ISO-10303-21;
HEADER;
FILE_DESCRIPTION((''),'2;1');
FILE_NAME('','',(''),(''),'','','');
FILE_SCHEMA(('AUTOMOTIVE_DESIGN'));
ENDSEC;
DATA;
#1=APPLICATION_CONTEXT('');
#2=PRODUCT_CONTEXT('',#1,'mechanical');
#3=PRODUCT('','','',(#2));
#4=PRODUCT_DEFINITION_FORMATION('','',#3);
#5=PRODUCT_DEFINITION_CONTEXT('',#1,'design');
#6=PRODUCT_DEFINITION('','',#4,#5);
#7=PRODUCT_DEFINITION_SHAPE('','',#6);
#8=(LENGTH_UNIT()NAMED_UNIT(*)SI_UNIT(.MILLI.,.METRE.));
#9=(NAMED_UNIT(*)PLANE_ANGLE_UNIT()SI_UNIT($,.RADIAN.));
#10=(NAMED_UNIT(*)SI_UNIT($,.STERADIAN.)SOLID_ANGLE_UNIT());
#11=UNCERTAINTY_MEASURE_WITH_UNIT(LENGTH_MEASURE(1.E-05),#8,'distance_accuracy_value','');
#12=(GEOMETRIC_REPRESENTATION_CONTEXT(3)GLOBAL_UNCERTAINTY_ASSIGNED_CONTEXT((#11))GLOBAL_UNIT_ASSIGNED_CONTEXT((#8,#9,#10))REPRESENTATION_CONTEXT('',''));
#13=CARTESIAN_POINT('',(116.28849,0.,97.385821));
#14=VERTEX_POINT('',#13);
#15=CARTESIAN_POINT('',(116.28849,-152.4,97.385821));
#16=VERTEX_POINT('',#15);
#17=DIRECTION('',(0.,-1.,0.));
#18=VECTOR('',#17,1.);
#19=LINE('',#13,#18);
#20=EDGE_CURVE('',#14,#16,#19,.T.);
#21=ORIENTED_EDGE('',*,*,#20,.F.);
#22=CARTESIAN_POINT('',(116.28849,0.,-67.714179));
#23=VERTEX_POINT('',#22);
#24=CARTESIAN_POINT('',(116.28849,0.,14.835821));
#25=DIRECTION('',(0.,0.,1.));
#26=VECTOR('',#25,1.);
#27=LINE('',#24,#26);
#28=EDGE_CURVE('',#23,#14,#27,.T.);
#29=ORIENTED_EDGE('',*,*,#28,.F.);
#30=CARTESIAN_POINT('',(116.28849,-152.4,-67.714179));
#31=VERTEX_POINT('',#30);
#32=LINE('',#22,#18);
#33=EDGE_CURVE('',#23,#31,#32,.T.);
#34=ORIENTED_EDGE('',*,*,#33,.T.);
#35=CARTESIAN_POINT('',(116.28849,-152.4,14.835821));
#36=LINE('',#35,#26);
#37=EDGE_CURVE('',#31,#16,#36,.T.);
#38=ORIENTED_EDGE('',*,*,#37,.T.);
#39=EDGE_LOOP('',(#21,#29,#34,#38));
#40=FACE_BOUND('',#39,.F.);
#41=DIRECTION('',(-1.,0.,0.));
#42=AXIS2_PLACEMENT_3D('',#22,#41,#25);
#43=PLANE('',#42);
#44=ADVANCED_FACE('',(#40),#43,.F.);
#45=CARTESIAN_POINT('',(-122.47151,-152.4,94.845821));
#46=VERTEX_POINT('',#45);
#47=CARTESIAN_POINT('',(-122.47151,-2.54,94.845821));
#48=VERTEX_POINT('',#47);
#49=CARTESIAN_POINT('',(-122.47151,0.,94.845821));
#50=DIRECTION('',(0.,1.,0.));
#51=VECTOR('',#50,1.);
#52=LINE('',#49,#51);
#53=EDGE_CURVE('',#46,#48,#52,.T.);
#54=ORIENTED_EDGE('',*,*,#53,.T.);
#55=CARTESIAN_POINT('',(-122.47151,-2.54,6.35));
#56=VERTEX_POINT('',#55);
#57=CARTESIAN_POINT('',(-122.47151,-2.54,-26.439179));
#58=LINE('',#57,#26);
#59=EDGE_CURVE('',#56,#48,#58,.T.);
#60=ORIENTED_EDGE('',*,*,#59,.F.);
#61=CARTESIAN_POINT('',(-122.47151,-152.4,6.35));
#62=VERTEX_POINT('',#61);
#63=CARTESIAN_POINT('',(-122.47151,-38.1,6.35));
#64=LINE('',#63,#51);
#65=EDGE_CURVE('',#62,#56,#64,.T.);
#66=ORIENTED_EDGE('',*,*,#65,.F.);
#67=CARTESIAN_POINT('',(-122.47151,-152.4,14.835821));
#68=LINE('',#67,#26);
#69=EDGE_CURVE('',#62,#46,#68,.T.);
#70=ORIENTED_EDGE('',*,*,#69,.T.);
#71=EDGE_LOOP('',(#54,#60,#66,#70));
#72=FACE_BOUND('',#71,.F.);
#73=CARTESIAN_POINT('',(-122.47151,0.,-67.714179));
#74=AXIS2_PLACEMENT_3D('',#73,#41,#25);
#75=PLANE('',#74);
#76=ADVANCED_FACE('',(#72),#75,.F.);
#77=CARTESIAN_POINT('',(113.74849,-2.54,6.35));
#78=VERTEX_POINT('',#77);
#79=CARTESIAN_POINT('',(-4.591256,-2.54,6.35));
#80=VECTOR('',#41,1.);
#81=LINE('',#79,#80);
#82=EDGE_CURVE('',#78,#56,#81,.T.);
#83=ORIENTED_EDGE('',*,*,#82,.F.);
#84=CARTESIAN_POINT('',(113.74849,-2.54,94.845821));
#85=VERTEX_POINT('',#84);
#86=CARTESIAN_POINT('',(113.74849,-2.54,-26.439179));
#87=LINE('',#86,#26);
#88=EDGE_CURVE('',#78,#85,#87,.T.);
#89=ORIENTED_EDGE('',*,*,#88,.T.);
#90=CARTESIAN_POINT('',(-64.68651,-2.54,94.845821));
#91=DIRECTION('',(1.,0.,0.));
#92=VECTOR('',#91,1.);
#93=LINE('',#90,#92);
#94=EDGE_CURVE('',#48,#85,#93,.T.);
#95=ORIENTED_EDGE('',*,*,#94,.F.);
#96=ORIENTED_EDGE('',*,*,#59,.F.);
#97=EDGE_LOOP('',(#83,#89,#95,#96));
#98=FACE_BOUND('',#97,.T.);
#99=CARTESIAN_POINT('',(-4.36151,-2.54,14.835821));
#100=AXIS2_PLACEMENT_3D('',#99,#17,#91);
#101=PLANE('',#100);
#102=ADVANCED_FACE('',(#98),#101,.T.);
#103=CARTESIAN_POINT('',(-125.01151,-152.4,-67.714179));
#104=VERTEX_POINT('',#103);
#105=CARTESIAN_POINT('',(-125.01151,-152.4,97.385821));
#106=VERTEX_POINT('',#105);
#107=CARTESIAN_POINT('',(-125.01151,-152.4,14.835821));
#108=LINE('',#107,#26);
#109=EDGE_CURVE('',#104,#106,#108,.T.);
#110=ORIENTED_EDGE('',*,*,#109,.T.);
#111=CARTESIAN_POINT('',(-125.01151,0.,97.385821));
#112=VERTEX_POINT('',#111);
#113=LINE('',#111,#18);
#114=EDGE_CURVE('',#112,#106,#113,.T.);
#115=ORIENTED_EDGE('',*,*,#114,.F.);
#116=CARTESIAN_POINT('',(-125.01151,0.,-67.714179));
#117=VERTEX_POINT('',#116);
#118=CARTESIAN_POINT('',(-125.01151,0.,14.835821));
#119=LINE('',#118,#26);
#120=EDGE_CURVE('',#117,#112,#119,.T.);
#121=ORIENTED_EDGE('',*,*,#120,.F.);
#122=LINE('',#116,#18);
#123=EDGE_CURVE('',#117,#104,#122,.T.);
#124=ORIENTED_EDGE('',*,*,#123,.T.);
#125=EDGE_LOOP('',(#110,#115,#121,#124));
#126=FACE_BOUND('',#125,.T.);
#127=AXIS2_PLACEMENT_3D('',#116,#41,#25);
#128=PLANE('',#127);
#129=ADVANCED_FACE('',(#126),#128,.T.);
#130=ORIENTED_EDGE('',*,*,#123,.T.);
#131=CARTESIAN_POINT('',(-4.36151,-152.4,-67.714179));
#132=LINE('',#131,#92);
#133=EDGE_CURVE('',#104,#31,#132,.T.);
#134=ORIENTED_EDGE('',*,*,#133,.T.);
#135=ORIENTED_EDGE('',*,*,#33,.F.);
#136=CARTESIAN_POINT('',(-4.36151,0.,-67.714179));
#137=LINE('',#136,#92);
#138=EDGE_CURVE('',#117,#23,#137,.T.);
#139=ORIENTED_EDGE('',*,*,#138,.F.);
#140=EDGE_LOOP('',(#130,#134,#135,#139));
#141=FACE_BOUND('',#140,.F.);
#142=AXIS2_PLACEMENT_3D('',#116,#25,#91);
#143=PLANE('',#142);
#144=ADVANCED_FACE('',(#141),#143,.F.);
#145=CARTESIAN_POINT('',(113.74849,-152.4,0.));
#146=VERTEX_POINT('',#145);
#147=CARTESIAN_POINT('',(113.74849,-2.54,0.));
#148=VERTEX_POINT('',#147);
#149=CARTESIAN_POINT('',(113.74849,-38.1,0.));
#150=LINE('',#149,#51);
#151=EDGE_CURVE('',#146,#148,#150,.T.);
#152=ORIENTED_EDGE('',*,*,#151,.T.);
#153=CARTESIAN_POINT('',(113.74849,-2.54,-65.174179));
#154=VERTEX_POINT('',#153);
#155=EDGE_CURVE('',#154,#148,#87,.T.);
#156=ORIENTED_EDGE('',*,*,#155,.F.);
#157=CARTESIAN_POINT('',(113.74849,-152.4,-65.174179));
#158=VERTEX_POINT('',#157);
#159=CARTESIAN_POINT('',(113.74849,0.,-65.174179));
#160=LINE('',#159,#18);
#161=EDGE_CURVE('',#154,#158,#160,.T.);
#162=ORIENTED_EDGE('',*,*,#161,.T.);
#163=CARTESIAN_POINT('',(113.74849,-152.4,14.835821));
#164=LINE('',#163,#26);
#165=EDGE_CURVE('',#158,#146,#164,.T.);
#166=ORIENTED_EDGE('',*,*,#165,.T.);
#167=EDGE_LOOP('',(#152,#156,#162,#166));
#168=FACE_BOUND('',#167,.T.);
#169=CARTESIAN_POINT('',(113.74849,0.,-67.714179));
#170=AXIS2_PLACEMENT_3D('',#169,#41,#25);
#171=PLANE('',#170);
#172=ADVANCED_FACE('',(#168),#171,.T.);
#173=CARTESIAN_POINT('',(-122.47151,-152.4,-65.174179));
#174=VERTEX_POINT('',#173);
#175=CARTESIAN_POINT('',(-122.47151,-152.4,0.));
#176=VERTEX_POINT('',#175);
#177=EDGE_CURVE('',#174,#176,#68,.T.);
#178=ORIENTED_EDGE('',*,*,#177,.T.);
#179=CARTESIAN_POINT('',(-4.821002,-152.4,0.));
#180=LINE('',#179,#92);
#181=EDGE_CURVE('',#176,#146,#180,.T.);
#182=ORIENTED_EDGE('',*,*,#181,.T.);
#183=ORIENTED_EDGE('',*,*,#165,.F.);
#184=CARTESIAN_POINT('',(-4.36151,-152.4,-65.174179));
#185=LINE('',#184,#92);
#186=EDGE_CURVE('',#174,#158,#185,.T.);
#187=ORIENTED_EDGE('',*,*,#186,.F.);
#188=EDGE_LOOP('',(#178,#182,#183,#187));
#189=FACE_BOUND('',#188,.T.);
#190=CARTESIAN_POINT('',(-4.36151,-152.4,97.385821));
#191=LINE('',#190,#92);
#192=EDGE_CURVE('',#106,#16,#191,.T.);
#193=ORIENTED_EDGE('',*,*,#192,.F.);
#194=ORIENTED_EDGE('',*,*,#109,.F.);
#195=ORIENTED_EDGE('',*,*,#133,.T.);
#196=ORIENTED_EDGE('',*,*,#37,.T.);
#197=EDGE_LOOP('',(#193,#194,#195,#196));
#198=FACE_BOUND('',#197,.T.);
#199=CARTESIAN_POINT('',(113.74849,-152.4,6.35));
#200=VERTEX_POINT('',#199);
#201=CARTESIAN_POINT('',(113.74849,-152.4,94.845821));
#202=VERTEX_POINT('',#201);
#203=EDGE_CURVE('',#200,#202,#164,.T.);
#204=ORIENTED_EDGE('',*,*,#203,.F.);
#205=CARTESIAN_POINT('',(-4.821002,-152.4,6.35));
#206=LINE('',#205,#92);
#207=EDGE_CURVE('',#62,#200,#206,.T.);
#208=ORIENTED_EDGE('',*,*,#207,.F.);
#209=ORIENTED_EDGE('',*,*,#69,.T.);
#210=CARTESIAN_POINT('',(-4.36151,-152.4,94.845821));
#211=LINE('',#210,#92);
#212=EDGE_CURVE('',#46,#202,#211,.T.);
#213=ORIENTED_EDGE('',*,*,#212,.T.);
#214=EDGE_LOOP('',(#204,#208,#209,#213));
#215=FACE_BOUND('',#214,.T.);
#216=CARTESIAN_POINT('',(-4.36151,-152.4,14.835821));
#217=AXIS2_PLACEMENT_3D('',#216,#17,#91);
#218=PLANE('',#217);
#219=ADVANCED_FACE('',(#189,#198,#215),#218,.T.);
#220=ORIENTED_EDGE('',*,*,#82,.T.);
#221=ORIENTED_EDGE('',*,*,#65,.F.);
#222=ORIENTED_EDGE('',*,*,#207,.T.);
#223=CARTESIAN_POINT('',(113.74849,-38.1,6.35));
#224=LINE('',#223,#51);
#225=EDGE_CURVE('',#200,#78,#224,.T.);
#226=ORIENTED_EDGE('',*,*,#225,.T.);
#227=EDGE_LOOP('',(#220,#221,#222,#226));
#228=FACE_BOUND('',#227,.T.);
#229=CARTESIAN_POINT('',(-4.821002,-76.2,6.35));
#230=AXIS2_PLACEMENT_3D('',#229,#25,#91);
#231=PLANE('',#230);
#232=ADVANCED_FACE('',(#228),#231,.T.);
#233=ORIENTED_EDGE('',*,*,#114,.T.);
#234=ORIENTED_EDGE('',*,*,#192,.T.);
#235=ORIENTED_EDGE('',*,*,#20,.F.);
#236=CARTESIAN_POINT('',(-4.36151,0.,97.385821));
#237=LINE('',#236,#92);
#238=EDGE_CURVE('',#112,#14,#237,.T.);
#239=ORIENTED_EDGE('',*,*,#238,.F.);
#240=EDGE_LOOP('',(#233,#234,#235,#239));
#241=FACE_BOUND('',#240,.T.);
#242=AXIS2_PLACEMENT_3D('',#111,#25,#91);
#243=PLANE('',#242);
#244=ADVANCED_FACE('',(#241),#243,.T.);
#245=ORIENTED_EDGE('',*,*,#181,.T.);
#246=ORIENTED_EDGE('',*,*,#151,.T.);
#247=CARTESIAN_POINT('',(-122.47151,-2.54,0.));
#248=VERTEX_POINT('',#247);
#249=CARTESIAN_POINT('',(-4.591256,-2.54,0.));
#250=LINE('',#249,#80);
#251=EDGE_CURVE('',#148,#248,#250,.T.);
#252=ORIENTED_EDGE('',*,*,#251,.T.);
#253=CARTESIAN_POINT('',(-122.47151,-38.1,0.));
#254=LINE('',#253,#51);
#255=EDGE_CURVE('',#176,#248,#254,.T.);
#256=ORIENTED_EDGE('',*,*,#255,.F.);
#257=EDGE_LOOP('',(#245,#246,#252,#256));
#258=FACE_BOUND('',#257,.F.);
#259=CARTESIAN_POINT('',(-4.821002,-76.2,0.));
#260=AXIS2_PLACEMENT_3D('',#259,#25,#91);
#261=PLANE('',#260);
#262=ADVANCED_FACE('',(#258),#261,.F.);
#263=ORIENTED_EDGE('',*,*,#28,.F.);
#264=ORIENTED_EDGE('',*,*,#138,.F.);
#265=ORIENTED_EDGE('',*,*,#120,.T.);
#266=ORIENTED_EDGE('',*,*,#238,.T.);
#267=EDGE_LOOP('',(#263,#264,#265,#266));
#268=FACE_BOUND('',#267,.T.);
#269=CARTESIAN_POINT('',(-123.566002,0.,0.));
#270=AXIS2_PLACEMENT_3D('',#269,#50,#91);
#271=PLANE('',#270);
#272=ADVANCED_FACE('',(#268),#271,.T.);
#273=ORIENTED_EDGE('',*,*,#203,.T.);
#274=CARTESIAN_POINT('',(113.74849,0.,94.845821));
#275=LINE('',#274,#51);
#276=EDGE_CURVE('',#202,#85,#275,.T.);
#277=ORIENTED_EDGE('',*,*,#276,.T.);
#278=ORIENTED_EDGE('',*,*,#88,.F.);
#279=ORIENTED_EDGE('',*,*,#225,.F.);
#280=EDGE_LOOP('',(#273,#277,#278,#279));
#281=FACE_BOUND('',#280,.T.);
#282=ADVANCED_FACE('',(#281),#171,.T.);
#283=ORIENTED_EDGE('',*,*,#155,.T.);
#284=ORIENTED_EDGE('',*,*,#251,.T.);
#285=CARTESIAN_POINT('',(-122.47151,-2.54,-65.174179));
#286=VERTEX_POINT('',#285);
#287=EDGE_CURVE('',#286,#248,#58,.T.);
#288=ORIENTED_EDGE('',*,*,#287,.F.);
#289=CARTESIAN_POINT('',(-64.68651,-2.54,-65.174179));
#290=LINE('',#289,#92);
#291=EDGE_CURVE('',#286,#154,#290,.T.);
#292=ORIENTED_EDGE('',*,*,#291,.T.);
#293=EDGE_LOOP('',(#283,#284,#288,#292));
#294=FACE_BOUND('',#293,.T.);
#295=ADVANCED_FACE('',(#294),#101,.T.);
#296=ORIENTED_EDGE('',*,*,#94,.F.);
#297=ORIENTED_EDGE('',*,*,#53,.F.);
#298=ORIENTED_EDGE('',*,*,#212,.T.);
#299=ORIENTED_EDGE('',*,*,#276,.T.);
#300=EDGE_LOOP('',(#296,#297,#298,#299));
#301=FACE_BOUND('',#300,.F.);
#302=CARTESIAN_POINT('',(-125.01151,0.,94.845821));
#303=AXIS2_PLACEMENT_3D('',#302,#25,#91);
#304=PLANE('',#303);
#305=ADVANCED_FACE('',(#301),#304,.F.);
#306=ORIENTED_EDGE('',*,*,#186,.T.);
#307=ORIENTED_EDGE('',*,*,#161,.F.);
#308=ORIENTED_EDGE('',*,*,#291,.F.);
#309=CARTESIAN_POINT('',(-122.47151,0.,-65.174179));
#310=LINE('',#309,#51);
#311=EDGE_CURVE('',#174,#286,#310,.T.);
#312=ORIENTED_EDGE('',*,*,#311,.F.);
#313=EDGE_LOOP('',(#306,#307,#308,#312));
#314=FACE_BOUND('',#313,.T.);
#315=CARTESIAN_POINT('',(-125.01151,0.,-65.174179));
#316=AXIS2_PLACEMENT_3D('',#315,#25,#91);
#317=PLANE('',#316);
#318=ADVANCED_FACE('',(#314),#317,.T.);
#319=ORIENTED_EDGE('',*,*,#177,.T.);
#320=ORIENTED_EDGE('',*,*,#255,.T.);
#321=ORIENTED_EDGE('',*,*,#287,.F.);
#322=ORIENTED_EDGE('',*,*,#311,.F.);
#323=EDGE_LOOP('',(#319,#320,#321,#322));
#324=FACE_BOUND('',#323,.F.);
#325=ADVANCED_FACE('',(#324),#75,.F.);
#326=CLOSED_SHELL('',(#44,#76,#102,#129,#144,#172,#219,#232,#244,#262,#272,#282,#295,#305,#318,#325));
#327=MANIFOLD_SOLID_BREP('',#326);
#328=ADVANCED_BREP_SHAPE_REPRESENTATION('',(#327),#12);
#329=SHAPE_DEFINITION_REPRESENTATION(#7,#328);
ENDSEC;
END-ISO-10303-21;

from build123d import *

# Parameters (mm, degrees)
F0_W     = 241.3
F0_H     = 165.1
F1_DEPTH = 152.4
F2_T     = -2.54
F3_W     = 237.49
F3_H     = 152.4
F4_DEPTH = 6.35


with BuildPart() as f1:
    # F0 (on Front) → F1 (new body)
    with BuildSketch(Plane.XZ):
        with Locations((-4.36151, 14.835821)):
            Rectangle(F0_W, F0_H)
    extrude(amount=F1_DEPTH)

    # F2
    f2_openings = [f1.faces().sort_by_distance(p)[0] for p in [
        (-4.36151, -152.4, 14.835821),
    ]]
    offset(amount=F2_T, openings=f2_openings)

    # F3 (on Top) → F4 (join)
    with BuildSketch(Plane.XY):
        with Locations((-4.821002, -76.2)):
            Rectangle(F3_W, F3_H)
    extrude(amount=F4_DEPTH)


solid = f1.part
